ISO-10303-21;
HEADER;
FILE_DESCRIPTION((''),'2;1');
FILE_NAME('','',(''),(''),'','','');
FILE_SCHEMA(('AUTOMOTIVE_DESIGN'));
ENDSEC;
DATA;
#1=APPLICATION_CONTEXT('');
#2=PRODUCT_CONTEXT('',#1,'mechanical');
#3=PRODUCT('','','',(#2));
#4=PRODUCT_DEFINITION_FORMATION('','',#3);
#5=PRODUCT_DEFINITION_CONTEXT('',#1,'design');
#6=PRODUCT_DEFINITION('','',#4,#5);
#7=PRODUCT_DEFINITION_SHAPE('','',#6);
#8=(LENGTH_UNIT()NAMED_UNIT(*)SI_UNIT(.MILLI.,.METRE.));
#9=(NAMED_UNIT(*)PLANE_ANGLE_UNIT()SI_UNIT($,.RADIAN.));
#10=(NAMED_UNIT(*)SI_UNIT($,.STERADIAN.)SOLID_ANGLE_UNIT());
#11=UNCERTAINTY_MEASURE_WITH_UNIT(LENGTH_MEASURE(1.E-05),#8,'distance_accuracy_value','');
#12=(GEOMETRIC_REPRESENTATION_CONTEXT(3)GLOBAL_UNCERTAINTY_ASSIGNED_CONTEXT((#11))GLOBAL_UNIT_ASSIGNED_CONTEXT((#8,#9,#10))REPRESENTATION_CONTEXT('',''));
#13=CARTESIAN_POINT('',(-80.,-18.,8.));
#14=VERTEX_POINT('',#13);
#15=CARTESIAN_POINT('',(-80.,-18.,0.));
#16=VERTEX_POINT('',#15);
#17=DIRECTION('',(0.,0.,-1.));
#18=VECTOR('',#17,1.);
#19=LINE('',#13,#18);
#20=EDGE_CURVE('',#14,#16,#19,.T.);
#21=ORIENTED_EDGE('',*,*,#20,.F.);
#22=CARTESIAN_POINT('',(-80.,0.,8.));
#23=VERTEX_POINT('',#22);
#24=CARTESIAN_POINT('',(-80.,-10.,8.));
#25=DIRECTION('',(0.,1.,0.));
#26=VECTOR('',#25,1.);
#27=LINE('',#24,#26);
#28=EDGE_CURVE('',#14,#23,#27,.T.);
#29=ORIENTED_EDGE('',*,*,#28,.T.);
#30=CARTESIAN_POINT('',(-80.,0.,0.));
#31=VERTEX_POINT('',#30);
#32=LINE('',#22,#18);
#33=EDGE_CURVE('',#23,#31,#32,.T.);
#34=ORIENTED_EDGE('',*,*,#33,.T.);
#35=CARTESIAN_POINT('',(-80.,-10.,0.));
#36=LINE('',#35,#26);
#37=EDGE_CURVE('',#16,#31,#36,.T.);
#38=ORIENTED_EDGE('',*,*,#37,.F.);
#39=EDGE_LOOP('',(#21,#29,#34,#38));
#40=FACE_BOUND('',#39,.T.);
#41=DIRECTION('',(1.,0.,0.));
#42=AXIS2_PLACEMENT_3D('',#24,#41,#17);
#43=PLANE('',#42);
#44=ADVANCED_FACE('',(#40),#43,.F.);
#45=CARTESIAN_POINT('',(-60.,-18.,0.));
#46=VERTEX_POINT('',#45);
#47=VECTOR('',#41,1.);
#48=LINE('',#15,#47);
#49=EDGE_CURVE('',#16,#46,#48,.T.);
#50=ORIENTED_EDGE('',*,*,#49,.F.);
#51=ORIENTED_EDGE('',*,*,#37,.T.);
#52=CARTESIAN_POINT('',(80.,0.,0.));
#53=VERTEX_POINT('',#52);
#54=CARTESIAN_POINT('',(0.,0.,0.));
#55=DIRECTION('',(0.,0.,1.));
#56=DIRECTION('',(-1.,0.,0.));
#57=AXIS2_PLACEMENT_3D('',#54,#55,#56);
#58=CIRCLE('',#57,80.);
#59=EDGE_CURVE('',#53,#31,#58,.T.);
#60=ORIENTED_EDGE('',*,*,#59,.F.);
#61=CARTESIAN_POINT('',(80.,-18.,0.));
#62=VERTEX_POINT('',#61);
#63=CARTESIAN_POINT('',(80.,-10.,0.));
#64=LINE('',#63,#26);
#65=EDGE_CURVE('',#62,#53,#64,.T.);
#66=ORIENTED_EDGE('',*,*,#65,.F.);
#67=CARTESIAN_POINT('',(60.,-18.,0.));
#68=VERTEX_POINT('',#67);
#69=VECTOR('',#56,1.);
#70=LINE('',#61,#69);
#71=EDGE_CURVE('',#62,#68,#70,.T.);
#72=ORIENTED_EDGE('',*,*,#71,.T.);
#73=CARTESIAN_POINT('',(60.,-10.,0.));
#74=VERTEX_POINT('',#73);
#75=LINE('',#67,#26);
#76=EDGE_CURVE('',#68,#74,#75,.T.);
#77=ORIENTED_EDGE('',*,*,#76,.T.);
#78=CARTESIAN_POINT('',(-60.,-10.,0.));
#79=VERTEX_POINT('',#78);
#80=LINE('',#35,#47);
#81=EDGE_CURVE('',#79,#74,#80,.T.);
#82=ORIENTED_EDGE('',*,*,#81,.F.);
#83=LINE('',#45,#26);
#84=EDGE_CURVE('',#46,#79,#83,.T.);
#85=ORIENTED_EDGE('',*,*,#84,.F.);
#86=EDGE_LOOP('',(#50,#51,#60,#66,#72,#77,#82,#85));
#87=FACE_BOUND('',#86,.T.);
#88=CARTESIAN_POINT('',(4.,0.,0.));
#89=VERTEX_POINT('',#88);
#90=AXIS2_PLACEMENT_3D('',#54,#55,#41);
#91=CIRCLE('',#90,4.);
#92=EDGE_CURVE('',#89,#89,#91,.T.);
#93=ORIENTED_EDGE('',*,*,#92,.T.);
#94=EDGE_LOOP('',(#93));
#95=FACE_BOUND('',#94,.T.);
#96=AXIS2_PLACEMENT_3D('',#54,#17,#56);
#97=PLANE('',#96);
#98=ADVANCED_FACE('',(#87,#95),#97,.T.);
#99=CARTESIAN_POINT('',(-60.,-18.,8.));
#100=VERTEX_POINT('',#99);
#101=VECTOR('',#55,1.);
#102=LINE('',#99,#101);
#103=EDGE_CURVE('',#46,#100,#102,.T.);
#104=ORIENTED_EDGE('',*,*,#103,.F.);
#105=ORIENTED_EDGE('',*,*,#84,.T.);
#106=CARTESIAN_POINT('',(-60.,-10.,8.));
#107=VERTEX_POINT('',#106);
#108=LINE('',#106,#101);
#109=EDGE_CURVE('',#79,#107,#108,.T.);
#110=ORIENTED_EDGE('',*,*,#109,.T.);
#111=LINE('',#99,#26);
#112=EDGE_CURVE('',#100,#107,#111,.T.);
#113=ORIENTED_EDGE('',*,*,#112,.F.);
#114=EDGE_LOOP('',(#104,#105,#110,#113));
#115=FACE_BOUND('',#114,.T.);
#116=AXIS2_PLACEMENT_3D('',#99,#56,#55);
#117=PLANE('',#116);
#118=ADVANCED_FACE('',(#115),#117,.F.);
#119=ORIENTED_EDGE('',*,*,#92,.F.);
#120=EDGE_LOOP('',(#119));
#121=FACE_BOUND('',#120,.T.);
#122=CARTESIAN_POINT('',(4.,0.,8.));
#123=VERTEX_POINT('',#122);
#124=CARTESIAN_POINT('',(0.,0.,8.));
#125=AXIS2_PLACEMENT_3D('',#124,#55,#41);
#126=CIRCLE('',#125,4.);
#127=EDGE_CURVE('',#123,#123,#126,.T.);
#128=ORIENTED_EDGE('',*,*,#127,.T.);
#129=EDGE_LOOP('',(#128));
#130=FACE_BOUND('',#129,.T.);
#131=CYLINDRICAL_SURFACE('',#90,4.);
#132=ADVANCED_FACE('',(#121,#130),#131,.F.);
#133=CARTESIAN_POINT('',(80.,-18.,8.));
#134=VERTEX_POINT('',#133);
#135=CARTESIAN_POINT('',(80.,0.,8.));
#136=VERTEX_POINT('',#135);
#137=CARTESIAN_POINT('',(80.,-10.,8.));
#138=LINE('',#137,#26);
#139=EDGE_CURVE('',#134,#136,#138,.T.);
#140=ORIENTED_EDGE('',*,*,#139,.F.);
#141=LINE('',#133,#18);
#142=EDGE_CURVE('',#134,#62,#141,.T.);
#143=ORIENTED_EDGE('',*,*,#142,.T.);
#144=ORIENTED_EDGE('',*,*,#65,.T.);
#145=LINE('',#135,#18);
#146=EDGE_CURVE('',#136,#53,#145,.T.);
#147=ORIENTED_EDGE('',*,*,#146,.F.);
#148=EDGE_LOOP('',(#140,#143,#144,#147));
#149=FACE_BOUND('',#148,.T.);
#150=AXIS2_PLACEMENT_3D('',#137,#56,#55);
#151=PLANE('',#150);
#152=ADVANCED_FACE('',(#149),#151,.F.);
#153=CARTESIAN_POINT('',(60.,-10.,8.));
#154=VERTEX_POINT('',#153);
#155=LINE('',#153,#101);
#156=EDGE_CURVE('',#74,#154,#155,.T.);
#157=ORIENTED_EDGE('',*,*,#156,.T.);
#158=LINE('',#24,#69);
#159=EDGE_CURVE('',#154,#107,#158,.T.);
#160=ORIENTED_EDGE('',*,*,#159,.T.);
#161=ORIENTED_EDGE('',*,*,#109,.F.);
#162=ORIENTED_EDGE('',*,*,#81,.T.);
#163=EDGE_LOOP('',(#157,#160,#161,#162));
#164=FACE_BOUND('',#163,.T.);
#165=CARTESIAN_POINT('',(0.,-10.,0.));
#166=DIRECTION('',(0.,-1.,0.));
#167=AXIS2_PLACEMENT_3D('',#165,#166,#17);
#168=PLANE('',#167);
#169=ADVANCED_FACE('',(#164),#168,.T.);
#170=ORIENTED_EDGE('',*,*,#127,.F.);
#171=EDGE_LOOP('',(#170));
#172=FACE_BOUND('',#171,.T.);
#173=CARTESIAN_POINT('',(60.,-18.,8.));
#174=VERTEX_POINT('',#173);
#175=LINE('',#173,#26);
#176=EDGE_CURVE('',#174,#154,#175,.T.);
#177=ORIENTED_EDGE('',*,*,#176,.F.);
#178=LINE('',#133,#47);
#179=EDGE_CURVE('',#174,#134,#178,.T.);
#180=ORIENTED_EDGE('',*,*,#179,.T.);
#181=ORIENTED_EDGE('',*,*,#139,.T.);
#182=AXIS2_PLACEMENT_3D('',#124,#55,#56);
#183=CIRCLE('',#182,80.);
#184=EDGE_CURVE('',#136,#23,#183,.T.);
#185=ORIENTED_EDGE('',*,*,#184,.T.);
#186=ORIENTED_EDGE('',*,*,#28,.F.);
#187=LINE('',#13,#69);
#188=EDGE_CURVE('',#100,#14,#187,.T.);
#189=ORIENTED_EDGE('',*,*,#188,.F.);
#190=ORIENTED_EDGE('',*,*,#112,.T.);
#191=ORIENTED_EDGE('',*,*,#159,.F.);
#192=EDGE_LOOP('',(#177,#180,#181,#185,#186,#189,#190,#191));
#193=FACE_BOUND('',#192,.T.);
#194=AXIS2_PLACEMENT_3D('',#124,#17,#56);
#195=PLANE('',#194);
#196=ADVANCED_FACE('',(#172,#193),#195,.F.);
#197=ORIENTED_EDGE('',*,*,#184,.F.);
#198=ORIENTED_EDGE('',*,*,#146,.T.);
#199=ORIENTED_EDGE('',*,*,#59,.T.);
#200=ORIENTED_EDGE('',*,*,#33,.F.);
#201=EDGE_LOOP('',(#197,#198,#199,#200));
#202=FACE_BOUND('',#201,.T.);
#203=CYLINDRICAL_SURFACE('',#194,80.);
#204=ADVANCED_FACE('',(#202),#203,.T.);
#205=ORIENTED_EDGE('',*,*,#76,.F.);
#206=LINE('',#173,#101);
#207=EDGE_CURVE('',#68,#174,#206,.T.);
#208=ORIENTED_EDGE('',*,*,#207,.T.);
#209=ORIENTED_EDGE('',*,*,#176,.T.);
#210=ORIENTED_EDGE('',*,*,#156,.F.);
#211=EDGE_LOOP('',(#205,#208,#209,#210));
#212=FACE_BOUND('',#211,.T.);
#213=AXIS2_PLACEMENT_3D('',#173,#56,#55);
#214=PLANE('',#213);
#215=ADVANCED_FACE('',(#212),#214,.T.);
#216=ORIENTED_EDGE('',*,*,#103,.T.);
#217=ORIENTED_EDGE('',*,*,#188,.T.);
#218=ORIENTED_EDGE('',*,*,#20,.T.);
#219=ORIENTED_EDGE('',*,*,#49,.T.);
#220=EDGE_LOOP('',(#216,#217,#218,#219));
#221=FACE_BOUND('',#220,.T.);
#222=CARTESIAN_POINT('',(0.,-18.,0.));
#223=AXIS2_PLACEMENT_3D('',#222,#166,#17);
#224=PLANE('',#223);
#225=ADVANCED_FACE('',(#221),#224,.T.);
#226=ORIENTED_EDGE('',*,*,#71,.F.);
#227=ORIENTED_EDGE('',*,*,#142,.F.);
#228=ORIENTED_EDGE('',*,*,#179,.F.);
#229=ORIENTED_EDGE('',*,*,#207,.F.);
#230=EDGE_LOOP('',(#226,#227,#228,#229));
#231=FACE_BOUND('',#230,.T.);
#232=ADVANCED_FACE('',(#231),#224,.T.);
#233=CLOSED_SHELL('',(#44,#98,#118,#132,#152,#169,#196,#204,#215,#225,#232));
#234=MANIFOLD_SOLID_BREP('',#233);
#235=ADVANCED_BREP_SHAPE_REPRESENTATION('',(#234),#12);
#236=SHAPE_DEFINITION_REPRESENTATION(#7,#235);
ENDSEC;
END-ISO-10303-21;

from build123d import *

# Parameters (mm, degrees)
BOSS_EXTRUDE1_DEPTH = 8
SKETCH5_W           = 160
SKETCH5_H           = 8
BOSS_EXTRUDE4_DEPTH = 10
SKETCH6_W           = 20
SKETCH6_H           = 8
BOSS_EXTRUDE5_DEPTH = 8
SKETCH7_R           = 4
CUT_EXTRUDE2_DEPTH  = 8


with BuildPart() as part:
    # Sketch1 → Boss-Extrude1 (new body)
    with BuildSketch(Plane.XY):
        with BuildLine():
            Line((-80, 0), (80, 0))
            ThreePointArc((80, 0), (0, 80), (-80, 0))
        make_face()
    extrude(amount=BOSS_EXTRUDE1_DEPTH)

    # Sketch5 → Boss-Extrude4 (add)
    with BuildSketch(Plane.XZ):
        with Locations((0, 4)):
            Rectangle(SKETCH5_W, SKETCH5_H)
    extrude(amount=BOSS_EXTRUDE4_DEPTH)

    # Sketch6 → Boss-Extrude5 (add)
    with BuildSketch(Plane.XZ.offset(10)):
        with Locations((-70, 4)):
            Rectangle(SKETCH6_W, SKETCH6_H)
    boss_extrude5 = extrude(amount=BOSS_EXTRUDE5_DEPTH)

    # Mirror2: Boss-Extrude5 across plane
    add(boss_extrude5.mirror(Plane(origin=(0, 0, 0), x_dir=(0, 0, 1), z_dir=(1, 0, 0))))

    # Sketch7 → Cut-Extrude2 (cut)
    with BuildSketch(Plane.XY.offset(8)):
        Circle(SKETCH7_R)
    extrude(amount=-CUT_EXTRUDE2_DEPTH, mode=Mode.SUBTRACT)


solid = part.part
